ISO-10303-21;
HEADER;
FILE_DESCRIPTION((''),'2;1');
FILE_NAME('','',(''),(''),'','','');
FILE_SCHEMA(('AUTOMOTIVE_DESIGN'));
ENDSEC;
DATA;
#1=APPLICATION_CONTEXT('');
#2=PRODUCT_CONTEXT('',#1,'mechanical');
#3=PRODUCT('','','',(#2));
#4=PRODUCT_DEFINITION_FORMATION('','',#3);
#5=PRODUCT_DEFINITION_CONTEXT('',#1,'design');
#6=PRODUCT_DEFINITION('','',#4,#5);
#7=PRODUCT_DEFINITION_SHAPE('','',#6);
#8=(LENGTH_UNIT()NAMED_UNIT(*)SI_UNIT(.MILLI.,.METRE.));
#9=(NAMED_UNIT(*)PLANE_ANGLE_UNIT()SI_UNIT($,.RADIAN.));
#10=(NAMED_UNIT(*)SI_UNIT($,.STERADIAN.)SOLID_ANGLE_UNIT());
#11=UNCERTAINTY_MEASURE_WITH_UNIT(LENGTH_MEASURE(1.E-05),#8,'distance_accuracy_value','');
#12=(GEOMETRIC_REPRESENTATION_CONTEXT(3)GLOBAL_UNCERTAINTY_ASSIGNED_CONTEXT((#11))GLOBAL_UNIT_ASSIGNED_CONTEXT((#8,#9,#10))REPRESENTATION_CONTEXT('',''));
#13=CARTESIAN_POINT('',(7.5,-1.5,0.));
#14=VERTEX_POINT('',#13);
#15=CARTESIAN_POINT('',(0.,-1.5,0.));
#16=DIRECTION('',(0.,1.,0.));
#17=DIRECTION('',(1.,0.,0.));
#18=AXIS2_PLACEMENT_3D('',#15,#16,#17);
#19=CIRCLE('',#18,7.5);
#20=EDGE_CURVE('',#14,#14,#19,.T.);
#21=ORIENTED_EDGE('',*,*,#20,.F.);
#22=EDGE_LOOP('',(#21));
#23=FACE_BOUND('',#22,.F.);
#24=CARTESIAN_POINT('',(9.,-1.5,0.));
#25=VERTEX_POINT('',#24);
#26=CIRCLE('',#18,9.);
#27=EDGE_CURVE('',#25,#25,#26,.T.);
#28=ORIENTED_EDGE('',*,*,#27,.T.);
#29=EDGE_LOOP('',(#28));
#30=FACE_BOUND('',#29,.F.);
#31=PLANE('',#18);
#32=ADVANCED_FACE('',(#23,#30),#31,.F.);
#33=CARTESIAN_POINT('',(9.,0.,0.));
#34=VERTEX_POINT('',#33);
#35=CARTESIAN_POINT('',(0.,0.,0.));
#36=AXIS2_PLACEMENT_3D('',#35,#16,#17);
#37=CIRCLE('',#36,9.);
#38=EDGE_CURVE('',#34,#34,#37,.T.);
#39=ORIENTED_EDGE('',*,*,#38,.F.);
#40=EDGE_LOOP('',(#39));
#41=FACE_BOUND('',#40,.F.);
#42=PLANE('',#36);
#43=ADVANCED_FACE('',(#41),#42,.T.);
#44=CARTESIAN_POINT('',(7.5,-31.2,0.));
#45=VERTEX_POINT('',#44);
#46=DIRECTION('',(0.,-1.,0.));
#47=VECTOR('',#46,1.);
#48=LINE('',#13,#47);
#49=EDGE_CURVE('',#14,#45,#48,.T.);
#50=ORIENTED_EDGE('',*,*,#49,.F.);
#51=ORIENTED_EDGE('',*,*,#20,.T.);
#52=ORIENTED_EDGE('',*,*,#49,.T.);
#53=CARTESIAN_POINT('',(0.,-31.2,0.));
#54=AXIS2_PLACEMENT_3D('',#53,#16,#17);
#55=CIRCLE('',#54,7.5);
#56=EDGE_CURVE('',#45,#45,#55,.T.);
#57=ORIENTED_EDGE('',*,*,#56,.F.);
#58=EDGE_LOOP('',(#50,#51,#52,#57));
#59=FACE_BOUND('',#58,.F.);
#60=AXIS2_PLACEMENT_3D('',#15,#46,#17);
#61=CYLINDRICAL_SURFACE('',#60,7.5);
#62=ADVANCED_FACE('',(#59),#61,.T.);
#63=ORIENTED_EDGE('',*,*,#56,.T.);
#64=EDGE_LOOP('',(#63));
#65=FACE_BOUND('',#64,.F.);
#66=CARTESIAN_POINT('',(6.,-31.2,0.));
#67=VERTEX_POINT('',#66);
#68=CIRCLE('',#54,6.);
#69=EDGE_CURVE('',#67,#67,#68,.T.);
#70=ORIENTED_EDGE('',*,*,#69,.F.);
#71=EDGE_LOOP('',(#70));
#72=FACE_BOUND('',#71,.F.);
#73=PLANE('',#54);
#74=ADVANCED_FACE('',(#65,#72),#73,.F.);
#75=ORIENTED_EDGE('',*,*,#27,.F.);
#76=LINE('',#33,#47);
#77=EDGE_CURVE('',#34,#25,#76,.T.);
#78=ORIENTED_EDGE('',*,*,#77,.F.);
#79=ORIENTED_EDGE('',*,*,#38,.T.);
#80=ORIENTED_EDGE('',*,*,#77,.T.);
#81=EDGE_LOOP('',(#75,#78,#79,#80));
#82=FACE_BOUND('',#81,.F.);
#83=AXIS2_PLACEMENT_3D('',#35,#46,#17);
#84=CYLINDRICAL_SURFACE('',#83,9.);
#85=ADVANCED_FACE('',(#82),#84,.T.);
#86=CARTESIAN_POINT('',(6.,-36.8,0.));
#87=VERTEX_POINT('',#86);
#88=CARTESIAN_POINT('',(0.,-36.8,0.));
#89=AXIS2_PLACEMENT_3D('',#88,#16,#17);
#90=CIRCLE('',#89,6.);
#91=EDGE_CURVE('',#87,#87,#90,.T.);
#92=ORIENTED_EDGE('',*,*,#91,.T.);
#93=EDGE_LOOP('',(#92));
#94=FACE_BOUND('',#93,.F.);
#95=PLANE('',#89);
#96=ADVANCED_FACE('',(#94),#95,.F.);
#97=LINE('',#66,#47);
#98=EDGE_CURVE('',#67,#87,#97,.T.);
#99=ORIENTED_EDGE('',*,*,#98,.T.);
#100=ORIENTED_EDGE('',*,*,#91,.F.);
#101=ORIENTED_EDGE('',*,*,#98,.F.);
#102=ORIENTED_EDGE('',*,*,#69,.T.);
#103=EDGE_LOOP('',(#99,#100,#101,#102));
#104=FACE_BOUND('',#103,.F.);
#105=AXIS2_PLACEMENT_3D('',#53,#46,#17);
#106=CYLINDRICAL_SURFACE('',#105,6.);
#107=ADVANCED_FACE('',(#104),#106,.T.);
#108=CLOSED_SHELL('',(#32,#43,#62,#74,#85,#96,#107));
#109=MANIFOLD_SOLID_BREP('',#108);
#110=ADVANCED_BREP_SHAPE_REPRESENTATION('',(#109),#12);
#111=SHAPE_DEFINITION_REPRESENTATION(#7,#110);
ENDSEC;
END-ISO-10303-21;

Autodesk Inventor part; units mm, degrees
ref_plane "YZ Plane" through (0, 0, 0) normal (1, 0, 0) x (0, 1, 0)
ref_plane "XZ Plane" through (0, 0, 0) normal (0, 1, 0) x (-1, 0, 0)
ref_plane "XY Plane" through (0, 0, 0) normal (0, 0, 1) x (1, 0, 0)
sketch "Sketch1" plane through (0, 0, 0) normal (0, 0, 1) x (1, 0, 0)
  line L0 (0, 0) -> (9, 0)
  line L1 (9, 0) -> (9, -1.5)
  line L2 (9, -1.5) -> (7.5, -1.5)
  line L3 (7.5, -1.5) -> (7.5, -31.2)
  line L4 (7.5, -31.2) -> (6, -31.2)
  line L5 (6, -31.2) -> (6, -36.8)
  line L6 (6, -36.8) -> (0, -36.8)
  line L7 (0, -36.8) -> (0, 0)
  dimension "d0" = 9
  dimension "d1" = 1.5
  dimension "d2" = 29.7
  dimension "d3" = 5.6
  dimension "d4" = 7.5
  dimension "d5" = 6
revolve "Revolution1" add sketch "Sketch1" angle 360 about axis through (0, -36.8, 0) along (0, 1, 0)
properties part number "Button"
